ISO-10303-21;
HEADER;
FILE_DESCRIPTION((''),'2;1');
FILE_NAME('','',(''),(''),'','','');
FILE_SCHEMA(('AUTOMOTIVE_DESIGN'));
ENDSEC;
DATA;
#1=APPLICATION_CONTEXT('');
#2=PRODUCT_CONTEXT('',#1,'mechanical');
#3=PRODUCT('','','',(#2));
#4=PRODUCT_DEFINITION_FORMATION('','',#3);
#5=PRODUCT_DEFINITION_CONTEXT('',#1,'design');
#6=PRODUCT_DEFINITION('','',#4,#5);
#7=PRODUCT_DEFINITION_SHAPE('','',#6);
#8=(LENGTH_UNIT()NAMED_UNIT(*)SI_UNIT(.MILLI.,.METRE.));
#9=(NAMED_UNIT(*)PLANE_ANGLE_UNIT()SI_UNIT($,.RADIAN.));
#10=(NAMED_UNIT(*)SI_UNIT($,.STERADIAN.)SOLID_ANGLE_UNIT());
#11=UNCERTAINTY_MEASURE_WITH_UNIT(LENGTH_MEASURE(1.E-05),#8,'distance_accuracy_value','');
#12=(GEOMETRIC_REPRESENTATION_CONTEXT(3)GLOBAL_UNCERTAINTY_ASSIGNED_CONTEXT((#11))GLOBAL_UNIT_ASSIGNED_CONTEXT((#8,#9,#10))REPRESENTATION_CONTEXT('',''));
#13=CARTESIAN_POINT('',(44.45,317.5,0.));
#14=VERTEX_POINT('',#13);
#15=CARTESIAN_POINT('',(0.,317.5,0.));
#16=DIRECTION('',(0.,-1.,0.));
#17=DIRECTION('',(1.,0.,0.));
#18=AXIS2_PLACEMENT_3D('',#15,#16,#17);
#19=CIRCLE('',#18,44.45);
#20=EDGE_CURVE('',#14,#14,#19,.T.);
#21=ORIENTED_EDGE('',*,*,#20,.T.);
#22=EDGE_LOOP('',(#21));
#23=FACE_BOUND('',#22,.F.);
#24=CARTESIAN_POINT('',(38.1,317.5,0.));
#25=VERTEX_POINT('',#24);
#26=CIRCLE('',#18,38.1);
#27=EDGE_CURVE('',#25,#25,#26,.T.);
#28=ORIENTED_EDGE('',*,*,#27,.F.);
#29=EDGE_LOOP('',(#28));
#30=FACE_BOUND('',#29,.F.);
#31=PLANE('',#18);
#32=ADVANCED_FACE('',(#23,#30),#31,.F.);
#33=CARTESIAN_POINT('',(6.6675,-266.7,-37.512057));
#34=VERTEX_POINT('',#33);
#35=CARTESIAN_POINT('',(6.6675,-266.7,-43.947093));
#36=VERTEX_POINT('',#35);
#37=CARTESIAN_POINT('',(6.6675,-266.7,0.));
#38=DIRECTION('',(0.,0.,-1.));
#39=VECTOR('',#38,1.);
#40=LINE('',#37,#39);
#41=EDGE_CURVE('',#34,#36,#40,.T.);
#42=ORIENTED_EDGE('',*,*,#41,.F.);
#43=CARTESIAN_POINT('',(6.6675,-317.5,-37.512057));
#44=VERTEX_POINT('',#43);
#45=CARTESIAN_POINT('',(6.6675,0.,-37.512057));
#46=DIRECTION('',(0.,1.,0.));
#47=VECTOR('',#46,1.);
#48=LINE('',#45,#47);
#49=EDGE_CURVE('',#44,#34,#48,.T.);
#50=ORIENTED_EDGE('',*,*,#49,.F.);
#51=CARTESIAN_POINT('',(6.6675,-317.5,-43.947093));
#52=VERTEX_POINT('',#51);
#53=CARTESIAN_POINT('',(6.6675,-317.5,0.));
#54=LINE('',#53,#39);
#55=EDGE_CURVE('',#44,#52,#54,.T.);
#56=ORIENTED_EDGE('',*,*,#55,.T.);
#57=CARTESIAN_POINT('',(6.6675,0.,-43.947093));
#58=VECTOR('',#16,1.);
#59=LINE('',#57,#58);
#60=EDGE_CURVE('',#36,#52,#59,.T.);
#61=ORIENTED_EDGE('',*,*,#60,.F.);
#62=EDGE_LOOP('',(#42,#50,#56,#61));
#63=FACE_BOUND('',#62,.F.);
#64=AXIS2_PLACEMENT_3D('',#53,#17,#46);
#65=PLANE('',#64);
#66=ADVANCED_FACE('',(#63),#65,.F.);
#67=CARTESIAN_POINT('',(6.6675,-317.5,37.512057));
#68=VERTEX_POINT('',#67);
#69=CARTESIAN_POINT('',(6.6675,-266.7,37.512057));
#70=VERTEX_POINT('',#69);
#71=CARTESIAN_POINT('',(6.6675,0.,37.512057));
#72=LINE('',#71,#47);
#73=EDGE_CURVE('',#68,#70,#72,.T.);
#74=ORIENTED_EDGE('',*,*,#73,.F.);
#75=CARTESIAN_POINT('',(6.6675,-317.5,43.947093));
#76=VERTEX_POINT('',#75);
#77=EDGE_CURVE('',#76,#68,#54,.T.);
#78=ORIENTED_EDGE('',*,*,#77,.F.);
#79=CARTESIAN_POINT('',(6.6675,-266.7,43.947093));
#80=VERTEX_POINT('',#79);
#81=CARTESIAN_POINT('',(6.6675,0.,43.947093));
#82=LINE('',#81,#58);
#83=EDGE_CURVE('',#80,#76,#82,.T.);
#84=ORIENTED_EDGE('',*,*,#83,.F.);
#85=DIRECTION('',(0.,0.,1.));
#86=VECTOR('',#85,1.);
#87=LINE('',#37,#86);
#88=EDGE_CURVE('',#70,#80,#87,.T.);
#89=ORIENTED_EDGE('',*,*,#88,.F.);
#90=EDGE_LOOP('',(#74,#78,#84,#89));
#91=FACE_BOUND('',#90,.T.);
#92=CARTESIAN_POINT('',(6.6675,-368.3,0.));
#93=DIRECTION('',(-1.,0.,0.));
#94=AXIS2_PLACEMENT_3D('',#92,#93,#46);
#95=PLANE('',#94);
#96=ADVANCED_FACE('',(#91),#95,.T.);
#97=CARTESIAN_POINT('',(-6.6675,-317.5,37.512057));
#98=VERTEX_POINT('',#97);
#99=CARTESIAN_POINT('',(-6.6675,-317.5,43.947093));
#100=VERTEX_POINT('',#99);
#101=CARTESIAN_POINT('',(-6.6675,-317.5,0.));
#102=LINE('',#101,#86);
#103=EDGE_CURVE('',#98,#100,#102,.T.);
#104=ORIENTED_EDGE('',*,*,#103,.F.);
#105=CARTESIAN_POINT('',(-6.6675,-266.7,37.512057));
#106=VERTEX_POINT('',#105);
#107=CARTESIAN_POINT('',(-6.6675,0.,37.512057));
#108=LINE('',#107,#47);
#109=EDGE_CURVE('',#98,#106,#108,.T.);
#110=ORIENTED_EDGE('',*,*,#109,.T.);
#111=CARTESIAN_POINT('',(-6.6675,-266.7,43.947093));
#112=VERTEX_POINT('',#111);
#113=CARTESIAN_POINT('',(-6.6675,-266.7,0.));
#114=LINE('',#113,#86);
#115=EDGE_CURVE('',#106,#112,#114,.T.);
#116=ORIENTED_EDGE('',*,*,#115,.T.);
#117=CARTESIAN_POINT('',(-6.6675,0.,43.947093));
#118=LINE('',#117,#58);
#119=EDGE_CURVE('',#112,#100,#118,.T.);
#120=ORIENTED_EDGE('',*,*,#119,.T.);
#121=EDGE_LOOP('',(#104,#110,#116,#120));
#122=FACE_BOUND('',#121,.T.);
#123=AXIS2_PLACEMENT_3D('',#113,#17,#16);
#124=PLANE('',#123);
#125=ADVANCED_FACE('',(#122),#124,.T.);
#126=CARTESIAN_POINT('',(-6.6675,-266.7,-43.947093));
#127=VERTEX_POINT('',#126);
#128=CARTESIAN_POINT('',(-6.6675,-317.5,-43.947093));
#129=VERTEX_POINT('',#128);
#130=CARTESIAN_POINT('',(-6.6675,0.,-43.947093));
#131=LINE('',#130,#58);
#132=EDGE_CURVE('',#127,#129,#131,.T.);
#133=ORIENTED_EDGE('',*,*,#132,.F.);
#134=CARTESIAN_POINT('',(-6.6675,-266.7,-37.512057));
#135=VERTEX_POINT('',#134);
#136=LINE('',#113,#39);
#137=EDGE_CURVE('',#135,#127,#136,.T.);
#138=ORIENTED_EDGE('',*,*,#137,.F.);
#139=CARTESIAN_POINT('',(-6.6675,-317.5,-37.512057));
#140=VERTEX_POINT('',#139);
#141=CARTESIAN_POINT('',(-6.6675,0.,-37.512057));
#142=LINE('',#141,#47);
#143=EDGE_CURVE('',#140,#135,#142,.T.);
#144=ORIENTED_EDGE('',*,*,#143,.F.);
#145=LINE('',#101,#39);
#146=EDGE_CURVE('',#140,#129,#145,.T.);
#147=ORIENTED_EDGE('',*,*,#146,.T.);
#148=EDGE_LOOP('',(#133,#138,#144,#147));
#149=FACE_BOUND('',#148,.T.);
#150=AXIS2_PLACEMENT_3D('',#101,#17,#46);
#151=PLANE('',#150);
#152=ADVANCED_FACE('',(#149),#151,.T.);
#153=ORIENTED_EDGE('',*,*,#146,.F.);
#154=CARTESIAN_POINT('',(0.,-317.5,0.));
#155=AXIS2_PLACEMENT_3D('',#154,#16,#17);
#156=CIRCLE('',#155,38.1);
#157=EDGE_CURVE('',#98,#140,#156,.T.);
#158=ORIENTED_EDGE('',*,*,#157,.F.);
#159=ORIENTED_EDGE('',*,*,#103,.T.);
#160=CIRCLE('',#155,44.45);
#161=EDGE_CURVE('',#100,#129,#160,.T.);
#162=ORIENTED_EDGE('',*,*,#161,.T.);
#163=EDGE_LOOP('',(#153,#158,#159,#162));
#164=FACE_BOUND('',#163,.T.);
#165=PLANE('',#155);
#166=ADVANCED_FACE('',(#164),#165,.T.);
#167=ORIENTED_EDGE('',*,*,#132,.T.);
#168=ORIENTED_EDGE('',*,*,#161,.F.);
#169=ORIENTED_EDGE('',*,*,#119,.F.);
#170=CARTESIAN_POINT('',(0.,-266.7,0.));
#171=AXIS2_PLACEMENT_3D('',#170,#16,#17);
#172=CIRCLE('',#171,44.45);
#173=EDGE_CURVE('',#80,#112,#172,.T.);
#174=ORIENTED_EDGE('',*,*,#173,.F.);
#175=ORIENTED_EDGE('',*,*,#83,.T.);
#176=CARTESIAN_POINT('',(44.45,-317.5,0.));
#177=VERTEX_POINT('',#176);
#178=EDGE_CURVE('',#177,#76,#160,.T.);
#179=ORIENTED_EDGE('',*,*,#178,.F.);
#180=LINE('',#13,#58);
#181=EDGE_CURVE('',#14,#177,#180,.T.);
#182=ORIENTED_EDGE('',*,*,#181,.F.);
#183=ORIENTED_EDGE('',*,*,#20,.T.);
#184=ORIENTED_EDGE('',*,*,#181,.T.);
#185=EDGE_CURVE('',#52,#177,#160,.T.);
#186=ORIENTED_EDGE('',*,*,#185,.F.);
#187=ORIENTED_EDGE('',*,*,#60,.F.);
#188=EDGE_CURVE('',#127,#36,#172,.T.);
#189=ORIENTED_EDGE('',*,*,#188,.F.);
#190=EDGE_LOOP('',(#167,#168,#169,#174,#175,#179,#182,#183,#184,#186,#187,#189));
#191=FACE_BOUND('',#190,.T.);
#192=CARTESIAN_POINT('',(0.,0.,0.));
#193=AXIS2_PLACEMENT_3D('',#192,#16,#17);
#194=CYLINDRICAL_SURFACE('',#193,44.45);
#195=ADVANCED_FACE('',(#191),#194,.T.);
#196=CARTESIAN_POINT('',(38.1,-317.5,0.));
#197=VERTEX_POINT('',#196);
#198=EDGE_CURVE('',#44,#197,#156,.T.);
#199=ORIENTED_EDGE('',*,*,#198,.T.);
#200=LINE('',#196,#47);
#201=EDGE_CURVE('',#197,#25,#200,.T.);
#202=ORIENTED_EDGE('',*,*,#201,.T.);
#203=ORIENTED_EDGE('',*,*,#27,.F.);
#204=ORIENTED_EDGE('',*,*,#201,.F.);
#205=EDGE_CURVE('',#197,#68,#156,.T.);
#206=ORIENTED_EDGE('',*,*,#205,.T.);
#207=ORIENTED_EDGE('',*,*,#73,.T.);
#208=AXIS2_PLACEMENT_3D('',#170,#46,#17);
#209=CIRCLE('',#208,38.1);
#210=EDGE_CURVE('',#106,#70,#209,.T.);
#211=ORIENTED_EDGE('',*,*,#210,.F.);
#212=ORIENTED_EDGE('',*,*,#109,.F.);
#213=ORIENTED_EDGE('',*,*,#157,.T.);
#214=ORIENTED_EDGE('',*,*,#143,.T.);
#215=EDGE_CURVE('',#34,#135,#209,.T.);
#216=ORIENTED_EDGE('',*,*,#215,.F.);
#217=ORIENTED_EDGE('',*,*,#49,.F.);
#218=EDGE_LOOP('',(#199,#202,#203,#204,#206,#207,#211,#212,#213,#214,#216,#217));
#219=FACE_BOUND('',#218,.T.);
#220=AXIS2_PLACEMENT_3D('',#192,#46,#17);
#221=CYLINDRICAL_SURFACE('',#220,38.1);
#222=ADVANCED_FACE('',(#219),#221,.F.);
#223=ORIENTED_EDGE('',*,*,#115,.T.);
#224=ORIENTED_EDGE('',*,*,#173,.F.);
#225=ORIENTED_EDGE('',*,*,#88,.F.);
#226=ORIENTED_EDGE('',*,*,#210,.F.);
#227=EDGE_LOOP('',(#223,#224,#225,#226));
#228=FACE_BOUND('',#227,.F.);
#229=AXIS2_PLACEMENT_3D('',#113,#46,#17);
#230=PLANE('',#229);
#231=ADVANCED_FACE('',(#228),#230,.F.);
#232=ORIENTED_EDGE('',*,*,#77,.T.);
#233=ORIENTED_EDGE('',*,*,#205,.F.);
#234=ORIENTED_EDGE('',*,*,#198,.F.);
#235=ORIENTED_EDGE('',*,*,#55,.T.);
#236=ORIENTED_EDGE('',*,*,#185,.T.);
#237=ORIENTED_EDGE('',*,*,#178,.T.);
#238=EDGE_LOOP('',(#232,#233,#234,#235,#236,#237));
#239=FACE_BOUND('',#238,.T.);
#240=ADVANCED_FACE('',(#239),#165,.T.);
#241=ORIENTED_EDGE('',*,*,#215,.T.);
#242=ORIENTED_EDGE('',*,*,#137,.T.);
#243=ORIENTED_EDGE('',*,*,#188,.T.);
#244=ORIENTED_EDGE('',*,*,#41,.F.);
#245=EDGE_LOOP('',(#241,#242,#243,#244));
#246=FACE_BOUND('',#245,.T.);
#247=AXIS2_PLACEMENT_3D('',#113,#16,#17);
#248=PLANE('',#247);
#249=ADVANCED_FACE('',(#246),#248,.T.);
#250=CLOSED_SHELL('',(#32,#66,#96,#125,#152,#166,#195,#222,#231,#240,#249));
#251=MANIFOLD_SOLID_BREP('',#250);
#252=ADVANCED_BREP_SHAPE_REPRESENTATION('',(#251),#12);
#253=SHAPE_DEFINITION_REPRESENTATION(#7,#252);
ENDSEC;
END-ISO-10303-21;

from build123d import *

# Parameters (mm, degrees)
F0_R     = 44.45
F0_R_2   = 38.1
F1_DEPTH = 317.5
F2_W     = 13.335
F2_H     = 50.8
F3_DEPTH = 44.451
F4_DEPTH = 44.451


with BuildPart() as f1:
    # F0 (on Front) → F1 (new body, symmetric)
    with BuildSketch(Plane.XZ):
        Circle(F0_R)
        Circle(F0_R_2, mode=Mode.SUBTRACT)
    extrude(amount=F1_DEPTH, both=True)

    # F2 (on Top) → F3 (cut, through all)
    with BuildSketch(Plane.XY):
        with Locations((0, -342.9)):
            Rectangle(F2_W, F2_H)
        with Locations((0, -292.1)):
            Rectangle(F2_W, F2_H)
    extrude(amount=F3_DEPTH, mode=Mode.SUBTRACT)

    # F2 (on Top) → F4 (cut, through all)
    with BuildSketch(Plane.XY):
        with Locations((0, -292.1)):
            Rectangle(F2_W, F2_H)
    extrude(amount=-F4_DEPTH, mode=Mode.SUBTRACT)


solid = f1.part
